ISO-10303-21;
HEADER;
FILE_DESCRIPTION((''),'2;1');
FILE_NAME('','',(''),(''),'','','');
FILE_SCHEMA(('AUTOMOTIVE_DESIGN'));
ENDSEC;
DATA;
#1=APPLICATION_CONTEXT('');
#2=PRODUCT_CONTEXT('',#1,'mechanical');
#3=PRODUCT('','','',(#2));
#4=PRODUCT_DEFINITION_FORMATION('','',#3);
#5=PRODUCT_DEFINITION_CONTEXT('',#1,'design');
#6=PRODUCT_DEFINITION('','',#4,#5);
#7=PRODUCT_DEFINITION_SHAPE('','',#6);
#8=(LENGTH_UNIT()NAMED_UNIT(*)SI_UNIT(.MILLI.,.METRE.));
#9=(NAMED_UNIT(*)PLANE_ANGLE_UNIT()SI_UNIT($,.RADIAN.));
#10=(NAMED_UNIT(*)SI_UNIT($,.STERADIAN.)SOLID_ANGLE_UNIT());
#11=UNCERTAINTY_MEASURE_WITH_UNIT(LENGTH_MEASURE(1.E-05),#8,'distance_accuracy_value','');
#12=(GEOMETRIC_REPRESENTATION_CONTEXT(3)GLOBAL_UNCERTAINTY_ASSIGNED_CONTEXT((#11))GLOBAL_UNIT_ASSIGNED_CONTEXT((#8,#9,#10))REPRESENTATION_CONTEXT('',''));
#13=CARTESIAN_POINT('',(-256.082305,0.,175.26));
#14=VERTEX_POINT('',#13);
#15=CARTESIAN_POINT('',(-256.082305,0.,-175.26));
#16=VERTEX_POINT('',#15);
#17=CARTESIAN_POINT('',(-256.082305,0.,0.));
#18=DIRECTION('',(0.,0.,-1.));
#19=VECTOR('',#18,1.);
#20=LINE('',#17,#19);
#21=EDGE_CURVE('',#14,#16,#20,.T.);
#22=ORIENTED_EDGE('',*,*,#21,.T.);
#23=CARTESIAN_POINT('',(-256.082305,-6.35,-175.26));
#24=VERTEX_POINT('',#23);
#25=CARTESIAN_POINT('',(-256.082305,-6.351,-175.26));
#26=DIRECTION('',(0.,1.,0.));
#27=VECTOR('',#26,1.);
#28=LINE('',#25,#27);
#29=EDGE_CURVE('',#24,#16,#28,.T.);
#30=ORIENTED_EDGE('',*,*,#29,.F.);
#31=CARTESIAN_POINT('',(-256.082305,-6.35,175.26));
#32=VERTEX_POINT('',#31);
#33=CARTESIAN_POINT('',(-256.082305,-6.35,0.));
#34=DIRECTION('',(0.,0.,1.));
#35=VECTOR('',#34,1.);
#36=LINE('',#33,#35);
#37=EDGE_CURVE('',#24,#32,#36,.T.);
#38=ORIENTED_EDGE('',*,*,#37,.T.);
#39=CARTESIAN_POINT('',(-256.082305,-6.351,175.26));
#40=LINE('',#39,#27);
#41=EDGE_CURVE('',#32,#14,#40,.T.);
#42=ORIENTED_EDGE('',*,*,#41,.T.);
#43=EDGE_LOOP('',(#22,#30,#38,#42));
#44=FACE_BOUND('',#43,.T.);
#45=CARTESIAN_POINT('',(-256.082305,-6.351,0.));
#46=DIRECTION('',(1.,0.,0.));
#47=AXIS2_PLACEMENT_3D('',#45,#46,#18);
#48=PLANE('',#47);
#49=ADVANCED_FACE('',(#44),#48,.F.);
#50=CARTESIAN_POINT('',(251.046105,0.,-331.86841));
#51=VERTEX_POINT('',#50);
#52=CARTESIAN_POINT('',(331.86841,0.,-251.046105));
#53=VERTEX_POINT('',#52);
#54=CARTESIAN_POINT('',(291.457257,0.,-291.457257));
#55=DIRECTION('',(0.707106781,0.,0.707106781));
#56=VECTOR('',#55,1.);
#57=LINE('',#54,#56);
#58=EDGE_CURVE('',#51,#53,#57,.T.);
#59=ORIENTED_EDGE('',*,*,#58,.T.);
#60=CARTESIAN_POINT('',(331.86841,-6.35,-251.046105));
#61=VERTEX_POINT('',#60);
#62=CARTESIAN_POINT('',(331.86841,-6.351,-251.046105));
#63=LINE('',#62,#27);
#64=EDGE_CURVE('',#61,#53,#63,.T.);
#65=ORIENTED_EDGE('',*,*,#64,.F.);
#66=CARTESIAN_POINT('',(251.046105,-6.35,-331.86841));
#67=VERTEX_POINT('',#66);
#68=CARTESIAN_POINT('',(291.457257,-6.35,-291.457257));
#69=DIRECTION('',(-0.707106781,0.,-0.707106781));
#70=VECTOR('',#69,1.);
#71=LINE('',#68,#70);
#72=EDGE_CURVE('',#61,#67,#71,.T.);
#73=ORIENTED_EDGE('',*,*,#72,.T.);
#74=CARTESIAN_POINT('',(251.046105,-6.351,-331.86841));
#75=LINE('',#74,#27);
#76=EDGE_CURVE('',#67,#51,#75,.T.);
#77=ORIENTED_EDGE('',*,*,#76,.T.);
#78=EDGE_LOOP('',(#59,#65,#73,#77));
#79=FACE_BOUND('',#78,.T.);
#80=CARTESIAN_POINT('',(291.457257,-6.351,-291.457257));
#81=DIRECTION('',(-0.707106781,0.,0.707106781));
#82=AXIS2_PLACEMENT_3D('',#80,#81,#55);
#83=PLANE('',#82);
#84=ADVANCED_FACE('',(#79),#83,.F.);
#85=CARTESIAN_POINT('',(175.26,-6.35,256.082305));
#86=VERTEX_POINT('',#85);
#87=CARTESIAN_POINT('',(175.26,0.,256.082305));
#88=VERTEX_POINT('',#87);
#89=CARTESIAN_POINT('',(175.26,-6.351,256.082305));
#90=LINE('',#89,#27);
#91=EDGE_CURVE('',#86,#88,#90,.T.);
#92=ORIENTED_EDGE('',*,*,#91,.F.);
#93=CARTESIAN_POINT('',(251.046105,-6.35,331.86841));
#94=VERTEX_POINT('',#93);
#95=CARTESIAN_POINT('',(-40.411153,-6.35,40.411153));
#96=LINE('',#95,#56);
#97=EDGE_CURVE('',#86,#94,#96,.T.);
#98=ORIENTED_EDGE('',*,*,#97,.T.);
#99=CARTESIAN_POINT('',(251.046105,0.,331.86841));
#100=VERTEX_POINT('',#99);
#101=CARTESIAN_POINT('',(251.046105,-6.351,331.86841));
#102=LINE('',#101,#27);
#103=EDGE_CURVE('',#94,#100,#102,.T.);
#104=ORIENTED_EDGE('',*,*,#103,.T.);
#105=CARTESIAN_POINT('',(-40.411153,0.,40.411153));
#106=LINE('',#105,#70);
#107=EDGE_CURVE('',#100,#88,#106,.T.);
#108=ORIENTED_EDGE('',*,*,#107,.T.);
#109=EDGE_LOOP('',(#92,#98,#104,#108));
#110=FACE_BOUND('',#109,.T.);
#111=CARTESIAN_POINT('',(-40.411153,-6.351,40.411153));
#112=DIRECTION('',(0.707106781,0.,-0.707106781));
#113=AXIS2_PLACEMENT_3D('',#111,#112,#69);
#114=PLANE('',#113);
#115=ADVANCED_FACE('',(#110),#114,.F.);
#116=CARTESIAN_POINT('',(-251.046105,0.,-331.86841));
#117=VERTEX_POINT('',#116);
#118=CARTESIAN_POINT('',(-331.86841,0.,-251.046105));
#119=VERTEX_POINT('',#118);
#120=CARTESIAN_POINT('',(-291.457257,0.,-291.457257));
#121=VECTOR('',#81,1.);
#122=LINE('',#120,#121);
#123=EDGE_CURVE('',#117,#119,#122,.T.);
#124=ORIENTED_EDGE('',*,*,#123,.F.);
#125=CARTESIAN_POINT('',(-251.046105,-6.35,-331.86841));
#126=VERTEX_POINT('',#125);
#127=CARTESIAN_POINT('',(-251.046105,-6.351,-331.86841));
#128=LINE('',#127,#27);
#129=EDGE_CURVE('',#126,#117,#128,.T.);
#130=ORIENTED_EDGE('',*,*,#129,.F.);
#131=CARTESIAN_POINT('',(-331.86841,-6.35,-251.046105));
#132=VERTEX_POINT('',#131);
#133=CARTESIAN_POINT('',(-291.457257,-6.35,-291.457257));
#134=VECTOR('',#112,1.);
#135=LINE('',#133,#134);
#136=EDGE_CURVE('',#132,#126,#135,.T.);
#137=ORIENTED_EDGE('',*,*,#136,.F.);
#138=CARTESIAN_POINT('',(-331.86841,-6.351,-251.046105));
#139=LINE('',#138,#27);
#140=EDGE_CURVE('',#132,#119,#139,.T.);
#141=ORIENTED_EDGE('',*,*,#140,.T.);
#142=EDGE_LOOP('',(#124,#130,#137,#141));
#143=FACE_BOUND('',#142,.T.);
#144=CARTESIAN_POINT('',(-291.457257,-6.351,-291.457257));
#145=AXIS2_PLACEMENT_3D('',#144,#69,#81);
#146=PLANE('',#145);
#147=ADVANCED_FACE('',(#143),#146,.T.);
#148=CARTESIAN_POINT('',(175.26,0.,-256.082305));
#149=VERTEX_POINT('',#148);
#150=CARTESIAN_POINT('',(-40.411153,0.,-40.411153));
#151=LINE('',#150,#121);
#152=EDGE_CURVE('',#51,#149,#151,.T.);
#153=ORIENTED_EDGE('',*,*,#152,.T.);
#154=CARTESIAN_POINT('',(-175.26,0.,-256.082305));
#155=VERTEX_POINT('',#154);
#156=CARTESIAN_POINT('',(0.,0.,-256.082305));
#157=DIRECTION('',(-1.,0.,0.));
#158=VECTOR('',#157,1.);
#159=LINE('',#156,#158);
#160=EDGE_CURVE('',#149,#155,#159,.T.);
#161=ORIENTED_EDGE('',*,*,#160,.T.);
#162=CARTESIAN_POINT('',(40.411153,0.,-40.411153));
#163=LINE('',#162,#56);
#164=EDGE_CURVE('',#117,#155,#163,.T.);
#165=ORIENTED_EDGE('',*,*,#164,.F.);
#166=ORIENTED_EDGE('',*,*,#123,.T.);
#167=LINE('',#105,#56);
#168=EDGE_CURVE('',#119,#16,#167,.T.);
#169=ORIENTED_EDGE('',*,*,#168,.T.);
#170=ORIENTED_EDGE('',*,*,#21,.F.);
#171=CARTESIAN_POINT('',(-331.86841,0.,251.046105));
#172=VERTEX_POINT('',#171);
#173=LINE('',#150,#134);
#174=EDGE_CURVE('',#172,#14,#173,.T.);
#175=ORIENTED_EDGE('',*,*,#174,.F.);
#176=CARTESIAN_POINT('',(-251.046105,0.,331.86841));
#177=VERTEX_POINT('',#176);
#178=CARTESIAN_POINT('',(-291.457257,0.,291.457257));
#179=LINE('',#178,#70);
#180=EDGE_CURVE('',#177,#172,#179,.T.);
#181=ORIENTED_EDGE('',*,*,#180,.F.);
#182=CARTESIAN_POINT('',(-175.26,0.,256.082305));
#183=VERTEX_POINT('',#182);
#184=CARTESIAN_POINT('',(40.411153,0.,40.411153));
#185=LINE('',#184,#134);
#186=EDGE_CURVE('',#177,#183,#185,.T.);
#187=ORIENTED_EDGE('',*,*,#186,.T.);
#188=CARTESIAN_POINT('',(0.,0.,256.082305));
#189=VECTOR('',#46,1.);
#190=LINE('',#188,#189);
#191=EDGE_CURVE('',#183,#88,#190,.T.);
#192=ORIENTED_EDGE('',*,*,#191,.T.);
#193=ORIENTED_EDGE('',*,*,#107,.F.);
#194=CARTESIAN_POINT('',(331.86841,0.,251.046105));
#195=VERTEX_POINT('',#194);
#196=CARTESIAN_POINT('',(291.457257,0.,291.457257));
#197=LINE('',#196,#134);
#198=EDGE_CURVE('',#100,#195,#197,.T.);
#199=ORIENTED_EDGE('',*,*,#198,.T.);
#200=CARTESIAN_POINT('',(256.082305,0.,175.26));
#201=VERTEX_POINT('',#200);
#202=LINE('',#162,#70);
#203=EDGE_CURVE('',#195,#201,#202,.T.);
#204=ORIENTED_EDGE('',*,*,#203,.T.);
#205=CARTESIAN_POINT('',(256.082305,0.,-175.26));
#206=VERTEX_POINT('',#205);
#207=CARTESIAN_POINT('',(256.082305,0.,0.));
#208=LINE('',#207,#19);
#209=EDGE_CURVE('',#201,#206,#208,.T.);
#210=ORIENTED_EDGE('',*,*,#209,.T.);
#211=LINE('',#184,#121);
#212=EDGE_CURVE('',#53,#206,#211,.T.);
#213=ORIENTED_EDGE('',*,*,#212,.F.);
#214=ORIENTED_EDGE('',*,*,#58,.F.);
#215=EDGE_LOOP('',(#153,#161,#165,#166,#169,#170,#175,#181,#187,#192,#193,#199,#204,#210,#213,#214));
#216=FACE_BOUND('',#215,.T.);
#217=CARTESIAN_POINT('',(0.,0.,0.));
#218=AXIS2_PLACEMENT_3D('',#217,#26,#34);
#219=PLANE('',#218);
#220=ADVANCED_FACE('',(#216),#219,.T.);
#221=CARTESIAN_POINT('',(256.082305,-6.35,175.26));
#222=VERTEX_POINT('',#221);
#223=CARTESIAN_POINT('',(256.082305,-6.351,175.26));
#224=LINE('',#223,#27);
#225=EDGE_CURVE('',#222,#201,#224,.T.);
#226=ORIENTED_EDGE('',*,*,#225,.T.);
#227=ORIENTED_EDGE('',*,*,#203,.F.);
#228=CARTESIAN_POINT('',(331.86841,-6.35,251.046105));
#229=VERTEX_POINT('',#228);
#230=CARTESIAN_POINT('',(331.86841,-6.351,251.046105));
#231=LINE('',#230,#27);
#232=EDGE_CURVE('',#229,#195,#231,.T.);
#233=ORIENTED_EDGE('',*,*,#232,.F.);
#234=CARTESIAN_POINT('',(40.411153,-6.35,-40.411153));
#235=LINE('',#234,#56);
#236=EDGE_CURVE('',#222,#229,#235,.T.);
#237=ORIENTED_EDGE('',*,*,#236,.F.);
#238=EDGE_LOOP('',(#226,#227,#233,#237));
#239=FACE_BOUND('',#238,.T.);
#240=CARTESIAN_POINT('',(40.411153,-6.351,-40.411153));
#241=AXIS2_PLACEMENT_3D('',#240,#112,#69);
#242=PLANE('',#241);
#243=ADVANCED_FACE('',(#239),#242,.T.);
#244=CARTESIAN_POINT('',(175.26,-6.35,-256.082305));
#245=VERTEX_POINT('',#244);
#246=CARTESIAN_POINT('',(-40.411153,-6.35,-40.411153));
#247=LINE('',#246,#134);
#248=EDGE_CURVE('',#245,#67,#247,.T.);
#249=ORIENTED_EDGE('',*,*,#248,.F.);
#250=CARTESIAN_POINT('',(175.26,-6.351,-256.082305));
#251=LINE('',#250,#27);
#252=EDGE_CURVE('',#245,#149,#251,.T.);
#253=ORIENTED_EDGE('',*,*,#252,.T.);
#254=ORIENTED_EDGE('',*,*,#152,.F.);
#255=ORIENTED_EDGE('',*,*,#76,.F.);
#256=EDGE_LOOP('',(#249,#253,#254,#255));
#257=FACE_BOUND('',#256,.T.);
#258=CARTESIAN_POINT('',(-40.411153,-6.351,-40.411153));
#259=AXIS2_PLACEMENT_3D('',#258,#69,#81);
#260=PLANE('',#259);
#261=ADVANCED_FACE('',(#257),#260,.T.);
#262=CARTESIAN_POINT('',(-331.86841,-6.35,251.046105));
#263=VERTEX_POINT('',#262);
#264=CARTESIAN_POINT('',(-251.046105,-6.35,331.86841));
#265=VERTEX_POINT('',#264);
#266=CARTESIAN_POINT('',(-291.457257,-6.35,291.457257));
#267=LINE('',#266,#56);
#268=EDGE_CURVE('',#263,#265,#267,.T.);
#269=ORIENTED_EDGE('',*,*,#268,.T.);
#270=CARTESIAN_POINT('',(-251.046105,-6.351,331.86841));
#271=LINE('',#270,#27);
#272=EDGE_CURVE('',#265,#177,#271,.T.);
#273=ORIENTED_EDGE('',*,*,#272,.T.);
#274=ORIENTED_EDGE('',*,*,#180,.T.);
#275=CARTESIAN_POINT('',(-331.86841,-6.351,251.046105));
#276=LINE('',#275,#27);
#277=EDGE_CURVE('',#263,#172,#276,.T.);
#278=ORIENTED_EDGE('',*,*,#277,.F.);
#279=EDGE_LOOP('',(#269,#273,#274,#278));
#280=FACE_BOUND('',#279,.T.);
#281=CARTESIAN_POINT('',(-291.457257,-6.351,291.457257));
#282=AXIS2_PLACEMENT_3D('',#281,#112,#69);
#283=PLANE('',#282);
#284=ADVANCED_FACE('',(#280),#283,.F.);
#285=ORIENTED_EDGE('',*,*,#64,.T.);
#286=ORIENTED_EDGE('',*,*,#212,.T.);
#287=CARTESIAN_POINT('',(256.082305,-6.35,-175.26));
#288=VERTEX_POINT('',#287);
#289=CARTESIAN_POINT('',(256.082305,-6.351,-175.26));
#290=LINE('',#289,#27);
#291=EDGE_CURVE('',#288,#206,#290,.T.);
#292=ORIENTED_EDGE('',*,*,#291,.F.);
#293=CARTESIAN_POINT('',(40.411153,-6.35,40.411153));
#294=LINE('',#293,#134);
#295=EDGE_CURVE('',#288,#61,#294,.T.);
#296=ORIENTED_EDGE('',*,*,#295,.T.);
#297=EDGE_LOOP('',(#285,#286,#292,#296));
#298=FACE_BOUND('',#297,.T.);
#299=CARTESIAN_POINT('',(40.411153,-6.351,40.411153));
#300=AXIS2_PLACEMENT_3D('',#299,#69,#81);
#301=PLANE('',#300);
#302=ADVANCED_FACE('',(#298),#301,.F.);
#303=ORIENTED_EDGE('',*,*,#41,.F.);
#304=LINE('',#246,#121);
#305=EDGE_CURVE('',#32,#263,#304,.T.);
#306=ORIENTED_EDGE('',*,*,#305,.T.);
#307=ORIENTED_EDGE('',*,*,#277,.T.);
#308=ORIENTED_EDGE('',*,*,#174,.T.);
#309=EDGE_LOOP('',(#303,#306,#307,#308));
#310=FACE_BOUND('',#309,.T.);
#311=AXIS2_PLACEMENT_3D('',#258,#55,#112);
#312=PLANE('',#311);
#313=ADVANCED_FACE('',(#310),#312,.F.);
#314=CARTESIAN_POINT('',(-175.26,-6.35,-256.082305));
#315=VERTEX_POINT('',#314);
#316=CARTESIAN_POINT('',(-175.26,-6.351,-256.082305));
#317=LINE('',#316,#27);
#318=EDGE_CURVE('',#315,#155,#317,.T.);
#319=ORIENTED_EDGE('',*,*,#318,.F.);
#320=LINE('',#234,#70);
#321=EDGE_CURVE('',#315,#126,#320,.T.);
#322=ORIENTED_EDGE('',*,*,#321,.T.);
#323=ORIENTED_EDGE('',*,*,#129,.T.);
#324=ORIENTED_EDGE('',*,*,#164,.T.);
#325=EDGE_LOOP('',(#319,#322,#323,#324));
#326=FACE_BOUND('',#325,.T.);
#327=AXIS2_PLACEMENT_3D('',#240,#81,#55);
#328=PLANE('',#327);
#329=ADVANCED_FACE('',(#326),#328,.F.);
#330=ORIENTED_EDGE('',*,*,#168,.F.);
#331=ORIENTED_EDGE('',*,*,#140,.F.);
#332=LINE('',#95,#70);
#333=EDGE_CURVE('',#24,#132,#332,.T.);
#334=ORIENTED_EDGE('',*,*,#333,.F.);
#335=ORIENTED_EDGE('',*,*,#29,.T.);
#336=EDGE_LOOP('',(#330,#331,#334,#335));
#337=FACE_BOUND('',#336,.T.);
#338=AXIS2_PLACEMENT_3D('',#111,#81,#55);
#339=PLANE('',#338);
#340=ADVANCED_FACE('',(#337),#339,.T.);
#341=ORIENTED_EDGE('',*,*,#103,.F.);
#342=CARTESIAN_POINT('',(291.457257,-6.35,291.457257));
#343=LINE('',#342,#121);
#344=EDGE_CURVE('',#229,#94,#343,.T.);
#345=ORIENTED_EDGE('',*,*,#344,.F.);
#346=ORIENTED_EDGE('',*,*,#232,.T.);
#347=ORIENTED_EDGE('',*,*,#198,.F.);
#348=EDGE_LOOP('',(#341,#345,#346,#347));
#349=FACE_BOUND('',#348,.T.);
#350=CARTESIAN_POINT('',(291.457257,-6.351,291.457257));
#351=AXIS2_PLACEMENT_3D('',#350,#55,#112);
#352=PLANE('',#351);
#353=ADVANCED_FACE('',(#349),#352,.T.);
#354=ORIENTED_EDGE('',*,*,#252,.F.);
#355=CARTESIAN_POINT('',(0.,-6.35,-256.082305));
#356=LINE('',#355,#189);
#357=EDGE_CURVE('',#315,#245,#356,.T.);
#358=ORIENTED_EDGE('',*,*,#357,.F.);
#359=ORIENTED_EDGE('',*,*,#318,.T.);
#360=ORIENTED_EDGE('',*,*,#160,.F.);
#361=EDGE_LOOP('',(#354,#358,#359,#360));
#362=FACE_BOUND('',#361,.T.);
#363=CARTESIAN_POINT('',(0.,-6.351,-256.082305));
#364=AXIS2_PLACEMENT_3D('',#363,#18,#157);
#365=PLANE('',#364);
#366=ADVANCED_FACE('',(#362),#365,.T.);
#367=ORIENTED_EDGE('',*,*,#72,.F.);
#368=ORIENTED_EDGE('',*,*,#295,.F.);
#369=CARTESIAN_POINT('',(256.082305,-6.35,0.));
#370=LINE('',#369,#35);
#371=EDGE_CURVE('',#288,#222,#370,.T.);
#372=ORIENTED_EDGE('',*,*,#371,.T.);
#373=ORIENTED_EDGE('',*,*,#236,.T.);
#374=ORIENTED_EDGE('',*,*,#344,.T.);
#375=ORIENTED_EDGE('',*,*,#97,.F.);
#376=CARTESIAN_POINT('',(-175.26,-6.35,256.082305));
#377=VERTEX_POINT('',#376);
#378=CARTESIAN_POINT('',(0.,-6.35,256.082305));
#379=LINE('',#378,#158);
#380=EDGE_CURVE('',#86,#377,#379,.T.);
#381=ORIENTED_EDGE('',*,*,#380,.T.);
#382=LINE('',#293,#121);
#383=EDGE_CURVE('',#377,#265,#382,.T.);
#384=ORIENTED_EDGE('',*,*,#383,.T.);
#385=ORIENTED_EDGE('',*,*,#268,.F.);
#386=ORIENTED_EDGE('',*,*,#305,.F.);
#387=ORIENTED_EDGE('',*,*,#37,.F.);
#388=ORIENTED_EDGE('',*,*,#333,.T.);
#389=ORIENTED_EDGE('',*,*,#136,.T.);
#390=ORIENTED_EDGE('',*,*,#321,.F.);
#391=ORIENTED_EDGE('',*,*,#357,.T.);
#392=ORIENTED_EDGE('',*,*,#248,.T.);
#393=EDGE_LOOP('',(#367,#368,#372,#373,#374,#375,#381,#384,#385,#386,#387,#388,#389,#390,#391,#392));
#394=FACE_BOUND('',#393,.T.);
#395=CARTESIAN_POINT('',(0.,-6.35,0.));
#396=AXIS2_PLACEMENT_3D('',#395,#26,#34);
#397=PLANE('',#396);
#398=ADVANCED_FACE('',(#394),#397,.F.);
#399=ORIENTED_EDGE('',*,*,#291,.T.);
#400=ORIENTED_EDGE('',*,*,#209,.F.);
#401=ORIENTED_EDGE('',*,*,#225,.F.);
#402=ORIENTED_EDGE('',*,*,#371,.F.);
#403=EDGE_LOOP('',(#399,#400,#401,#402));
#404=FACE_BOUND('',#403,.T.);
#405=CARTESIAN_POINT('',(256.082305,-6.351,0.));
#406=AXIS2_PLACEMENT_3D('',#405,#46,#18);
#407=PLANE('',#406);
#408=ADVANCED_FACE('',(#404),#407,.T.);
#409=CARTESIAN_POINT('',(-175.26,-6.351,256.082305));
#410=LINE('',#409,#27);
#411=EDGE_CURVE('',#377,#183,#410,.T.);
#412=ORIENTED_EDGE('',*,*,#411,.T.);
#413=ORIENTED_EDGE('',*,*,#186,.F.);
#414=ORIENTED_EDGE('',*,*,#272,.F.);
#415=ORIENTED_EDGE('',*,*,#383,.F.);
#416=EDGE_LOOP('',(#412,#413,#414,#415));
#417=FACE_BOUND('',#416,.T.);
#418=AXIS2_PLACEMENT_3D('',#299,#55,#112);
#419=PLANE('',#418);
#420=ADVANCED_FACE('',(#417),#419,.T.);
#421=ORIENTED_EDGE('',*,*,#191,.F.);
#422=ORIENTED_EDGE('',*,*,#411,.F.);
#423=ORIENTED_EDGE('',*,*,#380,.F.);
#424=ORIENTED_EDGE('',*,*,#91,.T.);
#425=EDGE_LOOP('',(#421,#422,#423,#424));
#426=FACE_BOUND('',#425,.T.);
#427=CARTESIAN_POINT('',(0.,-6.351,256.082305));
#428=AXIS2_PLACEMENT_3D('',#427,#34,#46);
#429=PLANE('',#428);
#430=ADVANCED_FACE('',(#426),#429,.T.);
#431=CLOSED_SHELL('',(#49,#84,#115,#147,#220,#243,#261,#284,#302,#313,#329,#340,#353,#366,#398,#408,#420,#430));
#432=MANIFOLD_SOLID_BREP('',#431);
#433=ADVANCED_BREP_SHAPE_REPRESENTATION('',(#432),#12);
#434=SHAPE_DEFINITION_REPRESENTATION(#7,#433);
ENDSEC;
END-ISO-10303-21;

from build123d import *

# Parameters (mm, degrees)
BOSS_EXTRUDE1_DEPTH     = 6.35
CUT_EXTRUDE1_REACH      = 540.853
SKETCH3_R               = 48.260000044
MIRROR2_COPY_1_REACH    = 540.853
MIRROR2_COPY_1_SKETCH_R = 48.260000044
BOSS_EXTRUDE3_DEPTH     = 6.35
CUT_EXTRUDE12_DEPTH     = 55.372


with BuildPart() as part:
    # Sketch1 → Boss-Extrude1 (new body)
    with BuildSketch(Plane(origin=(0, 0, 0), x_dir=(1, 0, 0), z_dir=(0, 1, 0))):
        Polygon((254, -381), (-254, -381), (-381, -254), (-381, 254), (-254, 381), (254, 381), (381, 254), (381, -254), align=None)
    extrude(amount=-BOSS_EXTRUDE1_DEPTH)

    # Sketch3 → Cut-Extrude1 (cut, up to next)
    with BuildSketch(Plane(origin=(0, 0, 0), x_dir=(1, 0, 0), z_dir=(0, 1, 0)), mode=Mode.PRIVATE) as cut_extrude1_sk1:
        with BuildLine():
            Line((-175.260000044, -256.082305134), (-251.046104704, -331.868409794))
            Line((-251.046104704, -331.868409794), (-331.868409794, -251.046104704))
            Line((-331.868409794, -251.046104704), (-256.082305134, -175.260000044))
            Line((-256.082305134, -175.260000044), (-256.082305134, 0))
            Line((-256.082305134, 0), (-381, 0))
            Line((-381, 0), (-381, -254))
            Line((-381, -254), (-254, -381))
            Line((-254, -381), (0, -381))
            Line((0, -381), (0, -256.082305134))
            Line((0, -256.082305134), (-66.039999956, -256.082305134))
            Line((-66.039999956, -256.082305134), (-66.039999956, -279.4))
            ThreePointArc((-66.039999956, -279.4), (-120.65, -334.010000044), (-175.260000044, -279.4))
            Line((-175.260000044, -279.4), (-175.260000044, -256.082305134))
        make_face()
    cut_extrude1_tool1 = extrude(cut_extrude1_sk1.sketch, amount=-CUT_EXTRUDE1_REACH, mode=Mode.PRIVATE) & part.part
    # Sketch3 → Cut-Extrude1 (cut, up to next)
    with BuildSketch(Plane(origin=(0, 0, 0), x_dir=(1, 0, 0), z_dir=(0, 1, 0)), mode=Mode.PRIVATE) as cut_extrude1_sk2:
        with Locations(Location((-120.65, -279.4, 0), (0, 0, 270))):
            Circle(SKETCH3_R)
    cut_extrude1_tool2 = extrude(cut_extrude1_sk2.sketch, amount=-CUT_EXTRUDE1_REACH, mode=Mode.PRIVATE) & part.part
    cut_extrude1_1 = cut_extrude1_tool1.solids().sort_by_distance((-180.648154, 0, 267.741153))[0]
    add(cut_extrude1_1, mode=Mode.SUBTRACT)
    cut_extrude1_2 = cut_extrude1_tool2.solids().sort_by_distance((-120.65, 0, 279.4))[0]
    add(cut_extrude1_2, mode=Mode.SUBTRACT)
    cut_extrude1 = cut_extrude1_1 + cut_extrude1_2  # Cut-Extrude1 as one shape, for the pattern or mirror that repeats it

    # Mirror1: Cut-Extrude1 across plane
    add(cut_extrude1.mirror(Plane(origin=(0, 0, 0), x_dir=(0, 0, 1), z_dir=(1, 0, 0))), mode=Mode.SUBTRACT)

    # Mirror2: Cut-Extrude1 across plane
    add(cut_extrude1.mirror(Plane.XY), mode=Mode.SUBTRACT)

    # Mirror2 copy 1 sketch → Mirror2 copy 1 (cut, up to next)
    with BuildSketch(Plane(origin=(0, 0, 0), x_dir=(-1, 0, 0), z_dir=(0, 1, 0)), mode=Mode.PRIVATE) as mirror2_copy_1_sk1:
        with BuildLine():
            Line((-175.260000044, -256.082305134), (-251.046104704, -331.868409794))
            Line((-251.046104704, -331.868409794), (-331.868409794, -251.046104704))
            Line((-331.868409794, -251.046104704), (-256.082305134, -175.260000044))
            Line((-256.082305134, -175.260000044), (-256.082305134, 0))
            Line((-256.082305134, 0), (-381, 0))
            Line((-381, 0), (-381, -254))
            Line((-381, -254), (-254, -381))
            Line((-254, -381), (0, -381))
            Line((0, -381), (0, -256.082305134))
            Line((0, -256.082305134), (-66.039999956, -256.082305134))
            Line((-66.039999956, -256.082305134), (-66.039999956, -279.4))
            ThreePointArc((-66.039999956, -279.4), (-120.65, -334.010000044), (-175.260000044, -279.4))
            Line((-175.260000044, -279.4), (-175.260000044, -256.082305134))
        make_face()
    mirror2_copy_1_tool1 = extrude(mirror2_copy_1_sk1.sketch, amount=-MIRROR2_COPY_1_REACH, mode=Mode.PRIVATE) & part.part
    # Mirror2 copy 1 sketch → Mirror2 copy 1 (cut, up to next)
    with BuildSketch(Plane(origin=(0, 0, 0), x_dir=(-1, 0, 0), z_dir=(0, 1, 0)), mode=Mode.PRIVATE) as mirror2_copy_1_sk2:
        with Locations(Location((-120.65, -279.4, 0), (0, 0, 270))):
            Circle(MIRROR2_COPY_1_SKETCH_R)
    mirror2_copy_1_tool2 = extrude(mirror2_copy_1_sk2.sketch, amount=-MIRROR2_COPY_1_REACH, mode=Mode.PRIVATE) & part.part
    add(mirror2_copy_1_tool1.solids().sort_by_distance((180.648154, 0, -267.741153))[0], mode=Mode.SUBTRACT)
    add(mirror2_copy_1_tool2.solids().sort_by_distance((120.65, 0, -279.4))[0], mode=Mode.SUBTRACT)

    # Sketch39 → Boss-Extrude3 (add)
    with BuildSketch(Plane.XZ.offset(6.35)):
        with BuildLine():
            ThreePointArc((162.902960966, -256.082305134), (120.65, -231.139999956), (78.397039034, -256.082305134))
            Line((78.397039034, -256.082305134), (162.902960966, -256.082305134))
        make_face()
        with BuildLine():
            Line((-162.902960966, -256.082305134), (-78.397039034, -256.082305134))
            ThreePointArc((-78.397039034, -256.082305134), (-120.65, -231.139999956), (-162.902960966, -256.082305134))
        make_face()
    boss_extrude3 = extrude(amount=-BOSS_EXTRUDE3_DEPTH)

    # Sketch39_3 → Cut-Extrude12 (cut)
    with BuildSketch(Plane.XZ.offset(6.35)):
        with BuildLine():
            Line((78.397039034, -256.082305134), (66.039999956, -256.082305134))
            Line((66.039999956, -256.082305134), (66.039999956, -279.4))
            ThreePointArc((66.039999956, -279.4), (120.65, -334.010000044), (175.260000044, -279.4))
            Line((175.260000044, -279.4), (175.260000044, -256.082305134))
            Line((175.260000044, -256.082305134), (162.902960966, -256.082305134))
            ThreePointArc((162.902960966, -256.082305134), (167.384117635, -267.360487838), (168.910000044, -279.4))
            ThreePointArc((168.910000044, -279.4), (108.610487838, -326.134117635), (78.397039034, -256.082305134))
        make_face()
        with BuildLine():
            Line((-66.039999956, -279.4), (-66.039999956, -256.082305134))
            Line((-66.039999956, -256.082305134), (-78.397039034, -256.082305134))
            ThreePointArc((-78.397039034, -256.082305134), (-73.915882365, -267.360487838), (-72.389999956, -279.4))
            ThreePointArc((-72.389999956, -279.4), (-132.689512162, -326.134117635), (-162.902960966, -256.082305134))
            Line((-162.902960966, -256.082305134), (-175.260000044, -256.082305134))
            Line((-175.260000044, -256.082305134), (-175.260000044, -279.4))
            ThreePointArc((-175.260000044, -279.4), (-120.65, -334.010000044), (-66.039999956, -279.4))
        make_face()
    cut_extrude12 = extrude(amount=-CUT_EXTRUDE12_DEPTH, mode=Mode.SUBTRACT)

    # Mirror9: Boss-Extrude3, Cut-Extrude12 across plane
    add(boss_extrude3.mirror(Plane.XY))
    add(cut_extrude12.mirror(Plane.XY), mode=Mode.SUBTRACT)


solid = part.part
